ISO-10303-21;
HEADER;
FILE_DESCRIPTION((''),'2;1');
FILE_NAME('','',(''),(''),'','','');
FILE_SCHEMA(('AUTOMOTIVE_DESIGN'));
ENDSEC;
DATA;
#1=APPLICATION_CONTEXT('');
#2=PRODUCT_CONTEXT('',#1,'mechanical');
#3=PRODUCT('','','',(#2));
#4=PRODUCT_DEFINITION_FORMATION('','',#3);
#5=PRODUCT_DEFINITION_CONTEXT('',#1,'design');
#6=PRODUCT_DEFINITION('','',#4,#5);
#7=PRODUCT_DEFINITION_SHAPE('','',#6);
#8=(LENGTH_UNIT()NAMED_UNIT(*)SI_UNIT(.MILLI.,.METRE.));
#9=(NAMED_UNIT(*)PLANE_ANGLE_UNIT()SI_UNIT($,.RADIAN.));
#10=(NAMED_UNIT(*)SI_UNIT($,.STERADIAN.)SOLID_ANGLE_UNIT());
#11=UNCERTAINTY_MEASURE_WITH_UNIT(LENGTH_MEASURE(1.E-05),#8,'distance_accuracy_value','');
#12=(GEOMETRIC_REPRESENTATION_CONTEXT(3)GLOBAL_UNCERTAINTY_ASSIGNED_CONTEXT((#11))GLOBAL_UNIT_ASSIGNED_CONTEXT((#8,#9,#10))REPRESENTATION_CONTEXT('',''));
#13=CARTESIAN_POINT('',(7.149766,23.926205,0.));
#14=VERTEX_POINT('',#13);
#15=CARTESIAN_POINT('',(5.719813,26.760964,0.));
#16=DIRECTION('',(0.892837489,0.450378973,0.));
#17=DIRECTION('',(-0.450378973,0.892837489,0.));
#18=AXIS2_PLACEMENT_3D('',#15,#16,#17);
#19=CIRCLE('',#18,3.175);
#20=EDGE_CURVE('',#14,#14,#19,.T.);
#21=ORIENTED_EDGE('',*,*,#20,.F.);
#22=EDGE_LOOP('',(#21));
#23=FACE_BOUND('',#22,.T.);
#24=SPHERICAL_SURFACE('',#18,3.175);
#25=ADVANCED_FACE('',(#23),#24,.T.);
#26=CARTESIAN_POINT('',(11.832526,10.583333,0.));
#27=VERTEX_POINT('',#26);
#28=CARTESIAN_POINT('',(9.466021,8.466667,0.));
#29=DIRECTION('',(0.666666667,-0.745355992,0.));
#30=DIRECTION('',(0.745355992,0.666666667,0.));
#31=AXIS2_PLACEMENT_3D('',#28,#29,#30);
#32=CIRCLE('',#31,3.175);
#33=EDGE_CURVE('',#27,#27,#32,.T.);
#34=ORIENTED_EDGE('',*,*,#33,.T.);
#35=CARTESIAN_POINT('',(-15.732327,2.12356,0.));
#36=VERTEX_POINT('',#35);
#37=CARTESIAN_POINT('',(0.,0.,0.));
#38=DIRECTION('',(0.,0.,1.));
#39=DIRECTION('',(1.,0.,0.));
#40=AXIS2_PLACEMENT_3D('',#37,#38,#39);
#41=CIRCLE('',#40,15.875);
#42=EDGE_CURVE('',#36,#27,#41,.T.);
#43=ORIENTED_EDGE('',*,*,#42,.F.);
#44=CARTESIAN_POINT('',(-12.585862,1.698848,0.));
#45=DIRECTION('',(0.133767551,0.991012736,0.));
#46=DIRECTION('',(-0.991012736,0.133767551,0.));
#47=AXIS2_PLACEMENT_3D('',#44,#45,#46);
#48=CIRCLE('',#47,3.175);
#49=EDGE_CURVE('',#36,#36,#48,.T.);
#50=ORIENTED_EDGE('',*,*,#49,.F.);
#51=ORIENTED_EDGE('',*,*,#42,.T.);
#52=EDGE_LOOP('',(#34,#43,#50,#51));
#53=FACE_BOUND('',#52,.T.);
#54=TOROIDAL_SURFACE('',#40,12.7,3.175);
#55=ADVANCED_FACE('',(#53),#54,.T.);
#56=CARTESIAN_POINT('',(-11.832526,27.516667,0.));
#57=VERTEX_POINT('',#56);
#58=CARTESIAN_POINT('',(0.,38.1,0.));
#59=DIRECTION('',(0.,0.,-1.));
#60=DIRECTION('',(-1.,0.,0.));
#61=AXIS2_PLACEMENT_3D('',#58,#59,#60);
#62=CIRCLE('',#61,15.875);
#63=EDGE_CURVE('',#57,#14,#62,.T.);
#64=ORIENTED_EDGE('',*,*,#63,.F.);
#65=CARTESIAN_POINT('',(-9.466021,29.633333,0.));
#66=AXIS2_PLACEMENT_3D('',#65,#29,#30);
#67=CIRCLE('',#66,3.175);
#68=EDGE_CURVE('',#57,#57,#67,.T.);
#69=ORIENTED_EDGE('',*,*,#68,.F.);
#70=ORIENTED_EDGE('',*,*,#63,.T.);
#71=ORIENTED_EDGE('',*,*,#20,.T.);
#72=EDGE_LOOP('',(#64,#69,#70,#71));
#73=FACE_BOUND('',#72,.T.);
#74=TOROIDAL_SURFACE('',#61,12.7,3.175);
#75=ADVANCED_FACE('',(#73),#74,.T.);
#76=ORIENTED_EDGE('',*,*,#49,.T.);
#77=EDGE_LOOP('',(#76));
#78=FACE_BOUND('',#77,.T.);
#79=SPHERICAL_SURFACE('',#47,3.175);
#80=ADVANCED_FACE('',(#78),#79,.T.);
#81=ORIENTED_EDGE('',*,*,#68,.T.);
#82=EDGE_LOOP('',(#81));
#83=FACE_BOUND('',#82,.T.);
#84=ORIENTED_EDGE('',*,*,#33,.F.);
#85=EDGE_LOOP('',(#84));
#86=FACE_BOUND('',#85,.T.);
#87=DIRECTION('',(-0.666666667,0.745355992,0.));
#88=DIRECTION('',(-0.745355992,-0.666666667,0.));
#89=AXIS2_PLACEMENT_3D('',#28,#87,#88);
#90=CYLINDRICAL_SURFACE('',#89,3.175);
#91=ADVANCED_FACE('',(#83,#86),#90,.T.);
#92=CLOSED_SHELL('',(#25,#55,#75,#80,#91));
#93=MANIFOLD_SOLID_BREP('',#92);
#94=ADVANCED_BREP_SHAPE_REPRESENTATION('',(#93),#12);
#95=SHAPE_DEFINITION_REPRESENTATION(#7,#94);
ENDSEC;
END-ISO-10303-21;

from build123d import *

# Parameters (mm, degrees)
SWEEP2_PROFILE_R  = 3.175
DOME1_FACE_RADIUS = 3.175
DOME1_HEIGHT      = 3.175
DOME3_FACE_RADIUS = 3.175
DOME3_HEIGHT      = 3.175


with BuildPart() as part:
    # Sweep2: sweep along a path in Sketch2
    with BuildLine(Plane.XY) as sweep2_path:
        ThreePointArc((-12.585861744, 1.698847895), (3.726150042, -12.141079271), (9.466021105, 8.466666667))
        Line((9.466021105, 8.466666667), (-9.466021105, 29.633333333))
        ThreePointArc((-9.466021105, 29.633333333), (2.360327397, 50.578736097), (5.719812954, 26.760963896))
    # Sweep2 profile (on start of the path) → Sweep2 (sweep)
    with BuildSketch(Plane(origin=(-12.585861744, 1.698847895, 0), x_dir=(-0.9910127357206825, 0.1337675507715111, 0), z_dir=(-0.1337675507715111, -0.9910127357206825, 0))):
        Circle(SWEEP2_PROFILE_R)
    sweep(path=sweep2_path.line)

    # Dome1: a dome of height H over a round flat face of radius A is a cap of a sphere of radius (A * A + H * H) / (2 * H)
    dome1_r = (DOME1_FACE_RADIUS * DOME1_FACE_RADIUS + DOME1_HEIGHT * DOME1_HEIGHT) / (2 * DOME1_HEIGHT)
    dome1_base = Plane((-12.585861744, 1.698847895, 0), z_dir=(0.133767550772, 0.991012735721, 0))
    with Locations(dome1_base.offset(DOME1_HEIGHT - dome1_r)):
        dome1_ball = Sphere(dome1_r, mode=Mode.PRIVATE)
    add(split(dome1_ball, bisect_by=dome1_base, keep=Keep.TOP, mode=Mode.PRIVATE))

    # Dome3: a dome of height H over a round flat face of radius A is a cap of a sphere of radius (A * A + H * H) / (2 * H)
    dome3_r = (DOME3_FACE_RADIUS * DOME3_FACE_RADIUS + DOME3_HEIGHT * DOME3_HEIGHT) / (2 * DOME3_HEIGHT)
    dome3_base = Plane((5.719812954, 26.760963896, 0), z_dir=(-0.892837488506, -0.450378972775, 0))
    with Locations(dome3_base.offset(DOME3_HEIGHT - dome3_r)):
        dome3_ball = Sphere(dome3_r, mode=Mode.PRIVATE)
    add(split(dome3_ball, bisect_by=dome3_base, keep=Keep.TOP, mode=Mode.PRIVATE))


solid = part.part
